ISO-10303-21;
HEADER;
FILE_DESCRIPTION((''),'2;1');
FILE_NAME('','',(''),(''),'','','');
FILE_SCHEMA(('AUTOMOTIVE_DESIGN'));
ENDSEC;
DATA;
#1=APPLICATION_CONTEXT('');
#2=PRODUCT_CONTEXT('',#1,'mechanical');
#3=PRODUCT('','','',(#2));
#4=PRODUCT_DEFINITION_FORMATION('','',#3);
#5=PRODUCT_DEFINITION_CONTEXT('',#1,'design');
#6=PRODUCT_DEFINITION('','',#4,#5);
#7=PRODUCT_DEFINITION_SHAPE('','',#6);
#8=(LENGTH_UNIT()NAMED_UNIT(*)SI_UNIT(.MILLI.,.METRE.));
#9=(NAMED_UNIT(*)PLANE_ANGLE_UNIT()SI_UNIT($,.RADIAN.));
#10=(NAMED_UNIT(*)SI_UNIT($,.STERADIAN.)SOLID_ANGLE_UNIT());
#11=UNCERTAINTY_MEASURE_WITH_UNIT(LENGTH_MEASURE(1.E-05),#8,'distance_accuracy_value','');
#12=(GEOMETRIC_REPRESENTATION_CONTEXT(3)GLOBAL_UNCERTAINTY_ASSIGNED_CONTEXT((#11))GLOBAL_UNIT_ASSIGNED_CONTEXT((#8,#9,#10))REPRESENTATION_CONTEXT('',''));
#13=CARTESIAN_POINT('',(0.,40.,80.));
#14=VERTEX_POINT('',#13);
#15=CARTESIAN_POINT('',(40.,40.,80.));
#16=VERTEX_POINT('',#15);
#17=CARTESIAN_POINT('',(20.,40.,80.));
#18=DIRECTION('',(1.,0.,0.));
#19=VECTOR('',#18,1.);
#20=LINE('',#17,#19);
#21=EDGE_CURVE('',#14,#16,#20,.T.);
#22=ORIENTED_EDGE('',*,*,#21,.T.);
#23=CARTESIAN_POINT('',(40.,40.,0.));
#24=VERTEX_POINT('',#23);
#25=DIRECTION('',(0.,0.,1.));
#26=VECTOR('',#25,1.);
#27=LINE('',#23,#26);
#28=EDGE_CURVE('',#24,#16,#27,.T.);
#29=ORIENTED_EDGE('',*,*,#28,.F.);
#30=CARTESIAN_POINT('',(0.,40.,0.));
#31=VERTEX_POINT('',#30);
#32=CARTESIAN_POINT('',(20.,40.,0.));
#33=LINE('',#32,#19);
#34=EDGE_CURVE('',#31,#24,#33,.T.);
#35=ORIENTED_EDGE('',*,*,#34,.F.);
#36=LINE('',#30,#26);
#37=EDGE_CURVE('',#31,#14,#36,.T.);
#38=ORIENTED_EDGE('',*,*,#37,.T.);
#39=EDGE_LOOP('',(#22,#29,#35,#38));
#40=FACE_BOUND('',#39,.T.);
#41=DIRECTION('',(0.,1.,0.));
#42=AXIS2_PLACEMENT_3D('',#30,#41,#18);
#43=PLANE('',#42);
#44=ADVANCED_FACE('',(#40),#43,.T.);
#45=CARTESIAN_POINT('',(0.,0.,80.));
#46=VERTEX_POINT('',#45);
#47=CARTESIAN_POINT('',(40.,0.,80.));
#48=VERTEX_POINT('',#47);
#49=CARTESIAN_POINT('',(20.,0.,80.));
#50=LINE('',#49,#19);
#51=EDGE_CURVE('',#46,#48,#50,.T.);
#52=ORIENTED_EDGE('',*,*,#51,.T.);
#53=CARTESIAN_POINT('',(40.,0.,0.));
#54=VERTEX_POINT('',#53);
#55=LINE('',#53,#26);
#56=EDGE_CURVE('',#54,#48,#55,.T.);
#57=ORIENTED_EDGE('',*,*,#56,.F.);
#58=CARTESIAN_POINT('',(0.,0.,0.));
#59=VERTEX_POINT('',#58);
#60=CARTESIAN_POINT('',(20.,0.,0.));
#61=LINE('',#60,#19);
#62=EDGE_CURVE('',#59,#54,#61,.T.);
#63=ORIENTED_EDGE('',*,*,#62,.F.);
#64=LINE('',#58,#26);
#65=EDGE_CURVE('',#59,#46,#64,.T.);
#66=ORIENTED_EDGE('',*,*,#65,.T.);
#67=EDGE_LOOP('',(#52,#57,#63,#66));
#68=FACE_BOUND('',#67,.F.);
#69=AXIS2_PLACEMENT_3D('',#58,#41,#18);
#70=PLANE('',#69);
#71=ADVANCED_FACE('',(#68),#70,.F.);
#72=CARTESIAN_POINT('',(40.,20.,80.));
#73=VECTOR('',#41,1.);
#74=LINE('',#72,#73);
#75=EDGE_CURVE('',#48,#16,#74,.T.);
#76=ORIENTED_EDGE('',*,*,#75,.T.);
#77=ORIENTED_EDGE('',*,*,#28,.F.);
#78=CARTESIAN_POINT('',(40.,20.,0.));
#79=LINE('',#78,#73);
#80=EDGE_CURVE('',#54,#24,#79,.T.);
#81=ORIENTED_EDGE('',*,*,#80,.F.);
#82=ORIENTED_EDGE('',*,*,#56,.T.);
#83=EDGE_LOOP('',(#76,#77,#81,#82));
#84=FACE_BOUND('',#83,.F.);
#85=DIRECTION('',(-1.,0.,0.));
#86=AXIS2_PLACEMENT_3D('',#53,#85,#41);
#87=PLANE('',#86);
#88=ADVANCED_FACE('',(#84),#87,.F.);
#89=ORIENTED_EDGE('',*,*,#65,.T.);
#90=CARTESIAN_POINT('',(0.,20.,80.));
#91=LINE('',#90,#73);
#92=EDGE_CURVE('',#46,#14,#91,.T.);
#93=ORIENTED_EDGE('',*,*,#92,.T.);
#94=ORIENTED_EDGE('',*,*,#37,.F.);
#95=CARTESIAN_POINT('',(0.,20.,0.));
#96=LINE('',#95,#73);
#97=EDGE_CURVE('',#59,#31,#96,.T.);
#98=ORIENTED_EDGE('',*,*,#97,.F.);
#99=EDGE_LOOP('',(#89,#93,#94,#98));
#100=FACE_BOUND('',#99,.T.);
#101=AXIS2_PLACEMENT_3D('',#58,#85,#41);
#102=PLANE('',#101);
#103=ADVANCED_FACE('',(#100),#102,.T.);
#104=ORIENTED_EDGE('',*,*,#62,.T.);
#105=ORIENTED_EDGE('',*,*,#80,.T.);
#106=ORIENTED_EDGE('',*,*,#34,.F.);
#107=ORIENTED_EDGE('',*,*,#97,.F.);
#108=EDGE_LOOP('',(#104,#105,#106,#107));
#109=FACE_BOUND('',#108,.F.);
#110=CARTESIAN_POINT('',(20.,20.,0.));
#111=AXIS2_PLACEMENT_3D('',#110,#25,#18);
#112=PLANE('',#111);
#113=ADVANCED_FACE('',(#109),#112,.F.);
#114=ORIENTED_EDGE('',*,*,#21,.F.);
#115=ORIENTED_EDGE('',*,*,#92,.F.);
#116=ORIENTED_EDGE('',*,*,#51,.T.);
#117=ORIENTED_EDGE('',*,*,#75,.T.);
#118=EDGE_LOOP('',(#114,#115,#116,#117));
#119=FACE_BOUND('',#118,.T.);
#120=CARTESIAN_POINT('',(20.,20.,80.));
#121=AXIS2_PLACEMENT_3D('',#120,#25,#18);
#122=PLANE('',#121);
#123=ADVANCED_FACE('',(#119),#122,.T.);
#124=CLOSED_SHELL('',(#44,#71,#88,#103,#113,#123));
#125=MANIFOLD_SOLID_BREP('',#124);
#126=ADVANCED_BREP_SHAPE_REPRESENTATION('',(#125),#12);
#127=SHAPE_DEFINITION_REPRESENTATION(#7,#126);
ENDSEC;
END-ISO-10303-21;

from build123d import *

# Parameters (mm, degrees)
SKETCH_W  = 40
SKETCH_H  = 40
PAD_DEPTH = 80


with BuildPart() as part:
    # Sketch → Pad (new body)
    with BuildSketch(Plane.XY):
        with Locations((20, 20)):
            Rectangle(SKETCH_W, SKETCH_H)
    extrude(amount=PAD_DEPTH)


solid = part.part
